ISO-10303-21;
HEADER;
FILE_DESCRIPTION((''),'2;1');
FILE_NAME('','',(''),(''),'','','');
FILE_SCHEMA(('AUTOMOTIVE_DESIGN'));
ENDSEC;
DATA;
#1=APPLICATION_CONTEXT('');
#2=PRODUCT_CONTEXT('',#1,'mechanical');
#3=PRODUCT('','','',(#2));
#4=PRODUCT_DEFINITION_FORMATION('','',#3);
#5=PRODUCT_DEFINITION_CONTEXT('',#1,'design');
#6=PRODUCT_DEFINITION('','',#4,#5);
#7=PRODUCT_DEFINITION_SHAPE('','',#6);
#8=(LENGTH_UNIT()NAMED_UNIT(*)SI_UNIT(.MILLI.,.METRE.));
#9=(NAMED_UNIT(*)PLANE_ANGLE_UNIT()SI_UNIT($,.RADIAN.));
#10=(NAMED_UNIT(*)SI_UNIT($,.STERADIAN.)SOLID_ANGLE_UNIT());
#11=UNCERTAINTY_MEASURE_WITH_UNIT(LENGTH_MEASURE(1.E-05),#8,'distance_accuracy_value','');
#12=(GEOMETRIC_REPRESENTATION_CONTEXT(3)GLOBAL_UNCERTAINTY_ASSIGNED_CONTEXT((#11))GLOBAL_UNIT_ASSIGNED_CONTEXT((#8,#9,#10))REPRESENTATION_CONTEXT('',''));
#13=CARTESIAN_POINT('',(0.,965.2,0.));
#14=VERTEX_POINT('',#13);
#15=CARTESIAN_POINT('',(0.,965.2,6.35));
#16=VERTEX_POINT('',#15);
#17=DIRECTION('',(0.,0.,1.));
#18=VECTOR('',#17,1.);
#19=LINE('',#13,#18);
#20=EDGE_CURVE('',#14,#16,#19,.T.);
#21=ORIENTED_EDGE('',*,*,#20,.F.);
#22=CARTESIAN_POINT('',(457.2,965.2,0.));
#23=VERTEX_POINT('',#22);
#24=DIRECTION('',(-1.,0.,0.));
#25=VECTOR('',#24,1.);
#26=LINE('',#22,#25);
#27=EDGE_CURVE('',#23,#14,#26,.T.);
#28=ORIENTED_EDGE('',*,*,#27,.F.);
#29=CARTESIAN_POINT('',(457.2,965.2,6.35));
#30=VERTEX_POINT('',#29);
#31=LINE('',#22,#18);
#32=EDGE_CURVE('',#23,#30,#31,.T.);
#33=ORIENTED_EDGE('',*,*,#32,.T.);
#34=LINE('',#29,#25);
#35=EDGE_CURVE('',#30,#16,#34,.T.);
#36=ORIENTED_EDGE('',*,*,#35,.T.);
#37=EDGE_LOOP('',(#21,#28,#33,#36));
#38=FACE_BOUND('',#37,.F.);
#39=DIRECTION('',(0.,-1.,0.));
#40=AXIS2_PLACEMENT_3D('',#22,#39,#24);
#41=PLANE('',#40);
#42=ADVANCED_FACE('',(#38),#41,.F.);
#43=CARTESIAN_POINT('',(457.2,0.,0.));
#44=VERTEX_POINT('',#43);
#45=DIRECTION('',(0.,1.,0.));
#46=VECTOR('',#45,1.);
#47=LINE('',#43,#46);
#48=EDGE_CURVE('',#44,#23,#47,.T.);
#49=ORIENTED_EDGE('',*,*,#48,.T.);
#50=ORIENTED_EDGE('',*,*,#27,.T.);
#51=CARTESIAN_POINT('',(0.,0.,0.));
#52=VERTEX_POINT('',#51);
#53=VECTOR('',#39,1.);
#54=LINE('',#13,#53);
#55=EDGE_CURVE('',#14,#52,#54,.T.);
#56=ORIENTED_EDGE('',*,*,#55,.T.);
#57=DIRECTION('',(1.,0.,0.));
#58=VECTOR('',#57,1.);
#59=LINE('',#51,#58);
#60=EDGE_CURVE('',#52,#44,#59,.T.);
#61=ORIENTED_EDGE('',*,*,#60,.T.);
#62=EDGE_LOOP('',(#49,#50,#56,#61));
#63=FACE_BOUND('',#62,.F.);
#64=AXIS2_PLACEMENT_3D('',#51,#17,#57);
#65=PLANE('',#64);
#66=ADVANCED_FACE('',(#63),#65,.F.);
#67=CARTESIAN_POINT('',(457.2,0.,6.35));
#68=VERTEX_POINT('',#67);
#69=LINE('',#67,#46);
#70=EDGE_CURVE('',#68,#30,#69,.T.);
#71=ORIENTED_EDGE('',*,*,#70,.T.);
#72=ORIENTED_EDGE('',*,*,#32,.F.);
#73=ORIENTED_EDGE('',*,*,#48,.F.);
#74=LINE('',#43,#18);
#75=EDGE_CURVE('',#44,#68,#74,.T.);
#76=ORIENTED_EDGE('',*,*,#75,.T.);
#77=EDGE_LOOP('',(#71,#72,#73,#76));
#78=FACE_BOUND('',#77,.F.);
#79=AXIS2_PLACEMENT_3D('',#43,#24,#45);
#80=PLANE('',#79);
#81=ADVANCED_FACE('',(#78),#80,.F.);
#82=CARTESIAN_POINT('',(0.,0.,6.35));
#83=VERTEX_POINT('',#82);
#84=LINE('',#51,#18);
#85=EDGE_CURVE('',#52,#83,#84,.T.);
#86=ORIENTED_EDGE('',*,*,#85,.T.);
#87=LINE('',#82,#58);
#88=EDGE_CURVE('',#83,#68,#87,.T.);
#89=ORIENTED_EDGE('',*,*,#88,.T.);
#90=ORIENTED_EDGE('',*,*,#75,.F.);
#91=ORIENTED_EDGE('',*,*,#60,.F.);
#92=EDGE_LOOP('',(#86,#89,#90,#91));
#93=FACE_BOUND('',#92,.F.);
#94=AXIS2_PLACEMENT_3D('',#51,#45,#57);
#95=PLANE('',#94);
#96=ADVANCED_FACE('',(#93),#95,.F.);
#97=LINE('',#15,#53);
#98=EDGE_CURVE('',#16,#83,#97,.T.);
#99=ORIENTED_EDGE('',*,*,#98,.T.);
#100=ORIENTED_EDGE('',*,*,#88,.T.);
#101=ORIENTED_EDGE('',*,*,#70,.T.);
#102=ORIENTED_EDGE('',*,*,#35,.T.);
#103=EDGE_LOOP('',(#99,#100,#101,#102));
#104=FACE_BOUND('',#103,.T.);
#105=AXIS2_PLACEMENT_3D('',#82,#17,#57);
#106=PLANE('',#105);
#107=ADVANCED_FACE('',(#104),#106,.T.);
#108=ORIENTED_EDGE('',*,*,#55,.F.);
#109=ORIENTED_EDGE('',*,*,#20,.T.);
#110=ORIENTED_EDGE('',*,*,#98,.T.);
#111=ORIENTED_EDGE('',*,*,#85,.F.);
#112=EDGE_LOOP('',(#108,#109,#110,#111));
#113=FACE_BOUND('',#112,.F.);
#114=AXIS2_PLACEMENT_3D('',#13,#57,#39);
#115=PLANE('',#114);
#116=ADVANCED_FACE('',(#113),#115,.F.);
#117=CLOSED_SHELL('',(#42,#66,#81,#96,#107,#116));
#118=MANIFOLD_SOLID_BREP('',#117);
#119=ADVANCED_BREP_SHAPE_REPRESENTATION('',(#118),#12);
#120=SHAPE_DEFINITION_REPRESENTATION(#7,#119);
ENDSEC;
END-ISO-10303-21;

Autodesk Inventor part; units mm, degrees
ref_plane "YZ Plane" through (0, 0, 0) normal (1, 0, 0) x (0, 1, 0)
ref_plane "XZ Plane" through (0, 0, 0) normal (0, 1, 0) x (-1, 0, 0)
ref_plane "XY Plane" through (0, 0, 0) normal (0, 0, 1) x (1, 0, 0)
sketch "Sketch1" plane through (0, 0, 0) normal (0, 0, 1) x (1, 0, 0)
  line L0 (0, 0) -> (457.2, 0)
  line L1 (457.2, 0) -> (457.2, 965.2)
  line L2 (457.2, 965.2) -> (0, 965.2)
  line L3 (0, 965.2) -> (0, 0)
  dimension "d0" = 457.2
  dimension "d1" = 965.2
extrude "Extrusion1" add sketch "Sketch1" along normal blind 6.35
properties part number "arm_enclosure_side_panels"
